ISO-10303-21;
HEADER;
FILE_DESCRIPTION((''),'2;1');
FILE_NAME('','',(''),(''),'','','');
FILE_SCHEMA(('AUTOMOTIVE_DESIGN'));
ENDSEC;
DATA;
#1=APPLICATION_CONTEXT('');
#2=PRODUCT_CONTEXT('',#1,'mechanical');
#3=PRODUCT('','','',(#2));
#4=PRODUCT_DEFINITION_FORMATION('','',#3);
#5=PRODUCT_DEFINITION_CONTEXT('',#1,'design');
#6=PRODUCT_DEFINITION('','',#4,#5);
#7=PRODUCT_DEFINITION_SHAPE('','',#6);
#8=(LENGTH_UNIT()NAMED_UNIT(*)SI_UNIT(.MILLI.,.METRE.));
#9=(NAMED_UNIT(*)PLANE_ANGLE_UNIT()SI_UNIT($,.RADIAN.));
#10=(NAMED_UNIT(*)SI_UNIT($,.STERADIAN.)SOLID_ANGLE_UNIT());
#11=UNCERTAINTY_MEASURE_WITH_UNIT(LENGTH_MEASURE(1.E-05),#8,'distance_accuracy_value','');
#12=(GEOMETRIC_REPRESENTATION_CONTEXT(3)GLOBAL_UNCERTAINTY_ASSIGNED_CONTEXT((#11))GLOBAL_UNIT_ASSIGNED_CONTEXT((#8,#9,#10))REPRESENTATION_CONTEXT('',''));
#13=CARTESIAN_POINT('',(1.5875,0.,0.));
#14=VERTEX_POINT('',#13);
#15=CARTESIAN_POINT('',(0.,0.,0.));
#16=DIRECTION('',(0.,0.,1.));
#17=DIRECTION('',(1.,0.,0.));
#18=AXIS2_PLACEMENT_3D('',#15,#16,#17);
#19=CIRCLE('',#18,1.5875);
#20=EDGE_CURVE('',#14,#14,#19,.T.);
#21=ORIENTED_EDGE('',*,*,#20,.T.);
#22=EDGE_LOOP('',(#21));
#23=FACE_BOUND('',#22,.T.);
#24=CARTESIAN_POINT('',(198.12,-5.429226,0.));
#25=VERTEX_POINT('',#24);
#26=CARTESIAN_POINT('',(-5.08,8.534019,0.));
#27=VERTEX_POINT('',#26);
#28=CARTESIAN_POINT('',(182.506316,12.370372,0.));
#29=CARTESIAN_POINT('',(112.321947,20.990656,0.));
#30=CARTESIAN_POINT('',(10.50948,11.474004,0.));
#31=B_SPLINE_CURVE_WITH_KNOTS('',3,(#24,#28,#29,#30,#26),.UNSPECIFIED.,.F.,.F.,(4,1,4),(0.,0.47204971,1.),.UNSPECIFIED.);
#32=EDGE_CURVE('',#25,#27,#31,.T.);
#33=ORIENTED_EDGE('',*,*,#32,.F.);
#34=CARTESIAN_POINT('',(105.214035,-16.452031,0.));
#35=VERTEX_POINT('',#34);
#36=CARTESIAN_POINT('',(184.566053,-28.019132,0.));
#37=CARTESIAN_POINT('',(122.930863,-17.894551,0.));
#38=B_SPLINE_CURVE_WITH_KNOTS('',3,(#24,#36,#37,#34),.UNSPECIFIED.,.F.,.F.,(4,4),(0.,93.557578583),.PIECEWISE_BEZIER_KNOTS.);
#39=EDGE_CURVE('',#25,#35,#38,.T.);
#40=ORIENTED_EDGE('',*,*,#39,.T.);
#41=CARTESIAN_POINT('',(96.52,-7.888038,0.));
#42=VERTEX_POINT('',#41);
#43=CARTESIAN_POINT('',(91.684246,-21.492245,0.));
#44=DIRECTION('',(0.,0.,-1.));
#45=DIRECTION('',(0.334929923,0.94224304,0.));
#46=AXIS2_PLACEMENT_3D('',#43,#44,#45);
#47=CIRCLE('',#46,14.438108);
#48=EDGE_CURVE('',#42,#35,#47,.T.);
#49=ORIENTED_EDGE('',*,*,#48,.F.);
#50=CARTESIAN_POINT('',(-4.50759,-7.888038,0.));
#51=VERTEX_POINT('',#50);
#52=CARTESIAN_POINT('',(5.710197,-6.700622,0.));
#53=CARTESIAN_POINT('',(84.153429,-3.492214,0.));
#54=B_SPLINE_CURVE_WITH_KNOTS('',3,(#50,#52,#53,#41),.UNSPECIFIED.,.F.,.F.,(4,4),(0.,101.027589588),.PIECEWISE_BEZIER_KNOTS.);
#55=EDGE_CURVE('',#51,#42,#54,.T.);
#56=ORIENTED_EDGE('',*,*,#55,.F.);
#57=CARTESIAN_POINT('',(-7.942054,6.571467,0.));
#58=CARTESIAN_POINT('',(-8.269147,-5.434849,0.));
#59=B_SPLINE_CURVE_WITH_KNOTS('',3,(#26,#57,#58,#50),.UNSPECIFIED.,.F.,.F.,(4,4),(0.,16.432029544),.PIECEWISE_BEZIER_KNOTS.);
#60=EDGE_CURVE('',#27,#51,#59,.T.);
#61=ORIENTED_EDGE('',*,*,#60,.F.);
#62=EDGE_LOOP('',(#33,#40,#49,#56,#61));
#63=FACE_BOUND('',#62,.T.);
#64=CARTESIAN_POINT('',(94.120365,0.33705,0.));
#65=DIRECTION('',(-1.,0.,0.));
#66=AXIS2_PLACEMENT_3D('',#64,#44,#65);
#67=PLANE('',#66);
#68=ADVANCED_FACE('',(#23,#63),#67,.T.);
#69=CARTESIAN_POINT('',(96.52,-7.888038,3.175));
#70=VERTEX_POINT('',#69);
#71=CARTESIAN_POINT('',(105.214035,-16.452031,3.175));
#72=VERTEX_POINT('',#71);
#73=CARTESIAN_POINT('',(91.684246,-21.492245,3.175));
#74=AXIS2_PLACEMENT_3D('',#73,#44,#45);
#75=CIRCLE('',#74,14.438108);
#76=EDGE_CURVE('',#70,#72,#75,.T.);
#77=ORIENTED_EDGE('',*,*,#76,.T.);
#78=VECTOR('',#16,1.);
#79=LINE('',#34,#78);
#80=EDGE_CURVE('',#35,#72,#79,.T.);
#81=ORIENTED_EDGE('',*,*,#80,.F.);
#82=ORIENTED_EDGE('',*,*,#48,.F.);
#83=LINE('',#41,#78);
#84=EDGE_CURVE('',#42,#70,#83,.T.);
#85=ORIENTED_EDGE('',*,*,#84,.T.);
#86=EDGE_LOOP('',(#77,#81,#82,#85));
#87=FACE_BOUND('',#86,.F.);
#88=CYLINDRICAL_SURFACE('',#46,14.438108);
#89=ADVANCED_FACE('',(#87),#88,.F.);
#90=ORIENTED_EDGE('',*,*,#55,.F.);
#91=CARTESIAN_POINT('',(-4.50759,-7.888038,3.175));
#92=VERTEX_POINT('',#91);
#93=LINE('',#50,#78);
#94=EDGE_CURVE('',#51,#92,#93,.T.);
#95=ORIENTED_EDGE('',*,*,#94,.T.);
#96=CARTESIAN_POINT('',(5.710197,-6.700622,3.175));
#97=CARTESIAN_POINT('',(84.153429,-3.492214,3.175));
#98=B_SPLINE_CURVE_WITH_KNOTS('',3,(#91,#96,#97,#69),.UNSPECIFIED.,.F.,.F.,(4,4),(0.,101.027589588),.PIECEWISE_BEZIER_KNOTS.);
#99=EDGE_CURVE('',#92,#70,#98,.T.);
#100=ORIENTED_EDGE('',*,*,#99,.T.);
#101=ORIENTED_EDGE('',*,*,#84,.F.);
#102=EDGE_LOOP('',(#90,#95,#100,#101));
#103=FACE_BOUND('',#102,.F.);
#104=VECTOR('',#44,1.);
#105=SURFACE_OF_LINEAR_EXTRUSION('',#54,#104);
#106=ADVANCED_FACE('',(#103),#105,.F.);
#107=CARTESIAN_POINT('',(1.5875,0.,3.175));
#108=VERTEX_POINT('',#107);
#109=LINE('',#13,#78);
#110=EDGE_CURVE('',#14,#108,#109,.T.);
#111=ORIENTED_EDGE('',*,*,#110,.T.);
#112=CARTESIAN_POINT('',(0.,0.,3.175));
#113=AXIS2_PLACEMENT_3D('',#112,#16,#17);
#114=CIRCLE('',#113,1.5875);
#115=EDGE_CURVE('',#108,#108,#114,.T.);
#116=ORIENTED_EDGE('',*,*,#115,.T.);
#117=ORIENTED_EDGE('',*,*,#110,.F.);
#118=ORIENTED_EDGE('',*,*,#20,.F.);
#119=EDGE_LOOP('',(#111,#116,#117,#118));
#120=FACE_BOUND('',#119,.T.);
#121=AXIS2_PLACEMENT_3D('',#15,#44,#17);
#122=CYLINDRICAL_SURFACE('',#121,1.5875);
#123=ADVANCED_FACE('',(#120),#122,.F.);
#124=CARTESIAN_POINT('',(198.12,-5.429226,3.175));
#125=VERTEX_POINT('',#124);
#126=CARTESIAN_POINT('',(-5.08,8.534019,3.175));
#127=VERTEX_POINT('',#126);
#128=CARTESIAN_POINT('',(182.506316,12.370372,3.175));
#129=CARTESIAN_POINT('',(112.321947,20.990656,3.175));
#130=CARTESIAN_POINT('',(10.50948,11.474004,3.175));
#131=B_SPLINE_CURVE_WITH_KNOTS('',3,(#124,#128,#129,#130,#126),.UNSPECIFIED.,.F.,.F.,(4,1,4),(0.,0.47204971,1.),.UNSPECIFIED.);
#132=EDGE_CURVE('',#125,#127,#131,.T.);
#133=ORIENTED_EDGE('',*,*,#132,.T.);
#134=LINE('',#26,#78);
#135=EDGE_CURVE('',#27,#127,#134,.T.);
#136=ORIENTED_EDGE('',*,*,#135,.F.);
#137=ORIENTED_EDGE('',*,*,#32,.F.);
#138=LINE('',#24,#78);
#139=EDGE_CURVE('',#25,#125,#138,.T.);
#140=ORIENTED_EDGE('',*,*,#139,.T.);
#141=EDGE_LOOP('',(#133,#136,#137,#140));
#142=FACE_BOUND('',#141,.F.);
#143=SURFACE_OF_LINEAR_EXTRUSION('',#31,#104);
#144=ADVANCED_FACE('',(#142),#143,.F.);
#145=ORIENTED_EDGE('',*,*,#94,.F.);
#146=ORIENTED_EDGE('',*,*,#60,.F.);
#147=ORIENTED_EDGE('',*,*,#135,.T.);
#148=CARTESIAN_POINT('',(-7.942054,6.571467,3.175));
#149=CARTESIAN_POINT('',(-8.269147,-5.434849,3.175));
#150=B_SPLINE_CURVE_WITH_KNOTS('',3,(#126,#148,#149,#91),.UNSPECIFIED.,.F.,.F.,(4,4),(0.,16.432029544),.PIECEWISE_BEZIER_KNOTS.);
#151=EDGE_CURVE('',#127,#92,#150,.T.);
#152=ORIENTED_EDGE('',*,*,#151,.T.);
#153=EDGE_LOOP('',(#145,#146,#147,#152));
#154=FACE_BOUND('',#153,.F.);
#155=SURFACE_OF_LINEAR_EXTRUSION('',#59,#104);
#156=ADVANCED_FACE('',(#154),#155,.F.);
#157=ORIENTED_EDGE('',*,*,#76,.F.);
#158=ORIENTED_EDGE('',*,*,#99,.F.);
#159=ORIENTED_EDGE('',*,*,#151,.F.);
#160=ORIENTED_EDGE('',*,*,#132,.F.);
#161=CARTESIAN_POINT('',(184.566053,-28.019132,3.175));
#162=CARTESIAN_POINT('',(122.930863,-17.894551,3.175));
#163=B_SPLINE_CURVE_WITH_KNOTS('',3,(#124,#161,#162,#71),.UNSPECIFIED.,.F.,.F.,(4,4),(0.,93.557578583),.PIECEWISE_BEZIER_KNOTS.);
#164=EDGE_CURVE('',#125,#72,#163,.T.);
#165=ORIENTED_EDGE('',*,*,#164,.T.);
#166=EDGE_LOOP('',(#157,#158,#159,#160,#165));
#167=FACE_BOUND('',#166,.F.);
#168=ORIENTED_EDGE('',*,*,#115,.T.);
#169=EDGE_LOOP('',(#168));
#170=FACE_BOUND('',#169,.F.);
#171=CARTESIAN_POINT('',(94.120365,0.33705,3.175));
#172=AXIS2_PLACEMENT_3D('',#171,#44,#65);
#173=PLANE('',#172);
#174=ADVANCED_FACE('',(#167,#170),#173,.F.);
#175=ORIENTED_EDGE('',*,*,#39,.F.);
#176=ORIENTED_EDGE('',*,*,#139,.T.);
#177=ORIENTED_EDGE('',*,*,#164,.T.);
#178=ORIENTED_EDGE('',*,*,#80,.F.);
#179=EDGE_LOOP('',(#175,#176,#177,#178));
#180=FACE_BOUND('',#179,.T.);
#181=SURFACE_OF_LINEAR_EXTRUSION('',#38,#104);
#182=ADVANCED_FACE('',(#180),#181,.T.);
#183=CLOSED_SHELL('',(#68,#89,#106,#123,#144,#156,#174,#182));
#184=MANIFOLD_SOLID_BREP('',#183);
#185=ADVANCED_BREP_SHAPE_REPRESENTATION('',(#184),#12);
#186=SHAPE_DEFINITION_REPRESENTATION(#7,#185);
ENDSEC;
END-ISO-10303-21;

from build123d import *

# Parameters (mm, degrees)
F0_R     = 1.5875
F1_DEPTH = 3.175


with BuildPart() as f1:
    # F0 (on Top) → F1 (new body)
    with BuildSketch(Plane.XY):
        with BuildLine():
            add(Edge.make_bspline(
                [(198.12, -5.4292259738), (184.5660527897, -28.0191320926), (122.930863434, -17.8945506787), (105.2140353388, -16.4520314588)],
                knots=[0, 0, 0, 0, 93.5575785834, 93.5575785834, 93.5575785834, 93.5575785834], degree=3))
            add(Edge.make_bspline(
                [(198.12, -5.4292259738), (182.5063164984, 12.370372497), (112.3219469009, 20.9906558785), (10.5094795336, 11.4740038024), (-5.08, 8.5340185354)],
                knots=[0, 0, 0, 0, 0.4720497101, 1, 1, 1, 1], degree=3))
            add(Edge.make_bspline(
                [(-5.08, 8.5340185354), (-7.942054389, 6.5714671539), (-8.2691467515, -5.434848902), (-4.5075895879, -7.8880380124)],
                knots=[0, 0, 0, 0, 16.4320295441, 16.4320295441, 16.4320295441, 16.4320295441], degree=3))
            add(Edge.make_bspline(
                [(-4.5075895879, -7.8880380124), (5.710196705, -6.7006219788), (84.1534286737, -3.4922137856), (96.52, -7.8880380124)],
                knots=[0, 0, 0, 0, 101.0275895879, 101.0275895879, 101.0275895879, 101.0275895879], degree=3))
            ThreePointArc((96.52, -7.8880380124), (101.8163134503, -11.2063241586), (105.2140353388, -16.4520314588))
        make_face()
        Circle(F0_R, mode=Mode.SUBTRACT)
    extrude(amount=F1_DEPTH)


solid = f1.part
